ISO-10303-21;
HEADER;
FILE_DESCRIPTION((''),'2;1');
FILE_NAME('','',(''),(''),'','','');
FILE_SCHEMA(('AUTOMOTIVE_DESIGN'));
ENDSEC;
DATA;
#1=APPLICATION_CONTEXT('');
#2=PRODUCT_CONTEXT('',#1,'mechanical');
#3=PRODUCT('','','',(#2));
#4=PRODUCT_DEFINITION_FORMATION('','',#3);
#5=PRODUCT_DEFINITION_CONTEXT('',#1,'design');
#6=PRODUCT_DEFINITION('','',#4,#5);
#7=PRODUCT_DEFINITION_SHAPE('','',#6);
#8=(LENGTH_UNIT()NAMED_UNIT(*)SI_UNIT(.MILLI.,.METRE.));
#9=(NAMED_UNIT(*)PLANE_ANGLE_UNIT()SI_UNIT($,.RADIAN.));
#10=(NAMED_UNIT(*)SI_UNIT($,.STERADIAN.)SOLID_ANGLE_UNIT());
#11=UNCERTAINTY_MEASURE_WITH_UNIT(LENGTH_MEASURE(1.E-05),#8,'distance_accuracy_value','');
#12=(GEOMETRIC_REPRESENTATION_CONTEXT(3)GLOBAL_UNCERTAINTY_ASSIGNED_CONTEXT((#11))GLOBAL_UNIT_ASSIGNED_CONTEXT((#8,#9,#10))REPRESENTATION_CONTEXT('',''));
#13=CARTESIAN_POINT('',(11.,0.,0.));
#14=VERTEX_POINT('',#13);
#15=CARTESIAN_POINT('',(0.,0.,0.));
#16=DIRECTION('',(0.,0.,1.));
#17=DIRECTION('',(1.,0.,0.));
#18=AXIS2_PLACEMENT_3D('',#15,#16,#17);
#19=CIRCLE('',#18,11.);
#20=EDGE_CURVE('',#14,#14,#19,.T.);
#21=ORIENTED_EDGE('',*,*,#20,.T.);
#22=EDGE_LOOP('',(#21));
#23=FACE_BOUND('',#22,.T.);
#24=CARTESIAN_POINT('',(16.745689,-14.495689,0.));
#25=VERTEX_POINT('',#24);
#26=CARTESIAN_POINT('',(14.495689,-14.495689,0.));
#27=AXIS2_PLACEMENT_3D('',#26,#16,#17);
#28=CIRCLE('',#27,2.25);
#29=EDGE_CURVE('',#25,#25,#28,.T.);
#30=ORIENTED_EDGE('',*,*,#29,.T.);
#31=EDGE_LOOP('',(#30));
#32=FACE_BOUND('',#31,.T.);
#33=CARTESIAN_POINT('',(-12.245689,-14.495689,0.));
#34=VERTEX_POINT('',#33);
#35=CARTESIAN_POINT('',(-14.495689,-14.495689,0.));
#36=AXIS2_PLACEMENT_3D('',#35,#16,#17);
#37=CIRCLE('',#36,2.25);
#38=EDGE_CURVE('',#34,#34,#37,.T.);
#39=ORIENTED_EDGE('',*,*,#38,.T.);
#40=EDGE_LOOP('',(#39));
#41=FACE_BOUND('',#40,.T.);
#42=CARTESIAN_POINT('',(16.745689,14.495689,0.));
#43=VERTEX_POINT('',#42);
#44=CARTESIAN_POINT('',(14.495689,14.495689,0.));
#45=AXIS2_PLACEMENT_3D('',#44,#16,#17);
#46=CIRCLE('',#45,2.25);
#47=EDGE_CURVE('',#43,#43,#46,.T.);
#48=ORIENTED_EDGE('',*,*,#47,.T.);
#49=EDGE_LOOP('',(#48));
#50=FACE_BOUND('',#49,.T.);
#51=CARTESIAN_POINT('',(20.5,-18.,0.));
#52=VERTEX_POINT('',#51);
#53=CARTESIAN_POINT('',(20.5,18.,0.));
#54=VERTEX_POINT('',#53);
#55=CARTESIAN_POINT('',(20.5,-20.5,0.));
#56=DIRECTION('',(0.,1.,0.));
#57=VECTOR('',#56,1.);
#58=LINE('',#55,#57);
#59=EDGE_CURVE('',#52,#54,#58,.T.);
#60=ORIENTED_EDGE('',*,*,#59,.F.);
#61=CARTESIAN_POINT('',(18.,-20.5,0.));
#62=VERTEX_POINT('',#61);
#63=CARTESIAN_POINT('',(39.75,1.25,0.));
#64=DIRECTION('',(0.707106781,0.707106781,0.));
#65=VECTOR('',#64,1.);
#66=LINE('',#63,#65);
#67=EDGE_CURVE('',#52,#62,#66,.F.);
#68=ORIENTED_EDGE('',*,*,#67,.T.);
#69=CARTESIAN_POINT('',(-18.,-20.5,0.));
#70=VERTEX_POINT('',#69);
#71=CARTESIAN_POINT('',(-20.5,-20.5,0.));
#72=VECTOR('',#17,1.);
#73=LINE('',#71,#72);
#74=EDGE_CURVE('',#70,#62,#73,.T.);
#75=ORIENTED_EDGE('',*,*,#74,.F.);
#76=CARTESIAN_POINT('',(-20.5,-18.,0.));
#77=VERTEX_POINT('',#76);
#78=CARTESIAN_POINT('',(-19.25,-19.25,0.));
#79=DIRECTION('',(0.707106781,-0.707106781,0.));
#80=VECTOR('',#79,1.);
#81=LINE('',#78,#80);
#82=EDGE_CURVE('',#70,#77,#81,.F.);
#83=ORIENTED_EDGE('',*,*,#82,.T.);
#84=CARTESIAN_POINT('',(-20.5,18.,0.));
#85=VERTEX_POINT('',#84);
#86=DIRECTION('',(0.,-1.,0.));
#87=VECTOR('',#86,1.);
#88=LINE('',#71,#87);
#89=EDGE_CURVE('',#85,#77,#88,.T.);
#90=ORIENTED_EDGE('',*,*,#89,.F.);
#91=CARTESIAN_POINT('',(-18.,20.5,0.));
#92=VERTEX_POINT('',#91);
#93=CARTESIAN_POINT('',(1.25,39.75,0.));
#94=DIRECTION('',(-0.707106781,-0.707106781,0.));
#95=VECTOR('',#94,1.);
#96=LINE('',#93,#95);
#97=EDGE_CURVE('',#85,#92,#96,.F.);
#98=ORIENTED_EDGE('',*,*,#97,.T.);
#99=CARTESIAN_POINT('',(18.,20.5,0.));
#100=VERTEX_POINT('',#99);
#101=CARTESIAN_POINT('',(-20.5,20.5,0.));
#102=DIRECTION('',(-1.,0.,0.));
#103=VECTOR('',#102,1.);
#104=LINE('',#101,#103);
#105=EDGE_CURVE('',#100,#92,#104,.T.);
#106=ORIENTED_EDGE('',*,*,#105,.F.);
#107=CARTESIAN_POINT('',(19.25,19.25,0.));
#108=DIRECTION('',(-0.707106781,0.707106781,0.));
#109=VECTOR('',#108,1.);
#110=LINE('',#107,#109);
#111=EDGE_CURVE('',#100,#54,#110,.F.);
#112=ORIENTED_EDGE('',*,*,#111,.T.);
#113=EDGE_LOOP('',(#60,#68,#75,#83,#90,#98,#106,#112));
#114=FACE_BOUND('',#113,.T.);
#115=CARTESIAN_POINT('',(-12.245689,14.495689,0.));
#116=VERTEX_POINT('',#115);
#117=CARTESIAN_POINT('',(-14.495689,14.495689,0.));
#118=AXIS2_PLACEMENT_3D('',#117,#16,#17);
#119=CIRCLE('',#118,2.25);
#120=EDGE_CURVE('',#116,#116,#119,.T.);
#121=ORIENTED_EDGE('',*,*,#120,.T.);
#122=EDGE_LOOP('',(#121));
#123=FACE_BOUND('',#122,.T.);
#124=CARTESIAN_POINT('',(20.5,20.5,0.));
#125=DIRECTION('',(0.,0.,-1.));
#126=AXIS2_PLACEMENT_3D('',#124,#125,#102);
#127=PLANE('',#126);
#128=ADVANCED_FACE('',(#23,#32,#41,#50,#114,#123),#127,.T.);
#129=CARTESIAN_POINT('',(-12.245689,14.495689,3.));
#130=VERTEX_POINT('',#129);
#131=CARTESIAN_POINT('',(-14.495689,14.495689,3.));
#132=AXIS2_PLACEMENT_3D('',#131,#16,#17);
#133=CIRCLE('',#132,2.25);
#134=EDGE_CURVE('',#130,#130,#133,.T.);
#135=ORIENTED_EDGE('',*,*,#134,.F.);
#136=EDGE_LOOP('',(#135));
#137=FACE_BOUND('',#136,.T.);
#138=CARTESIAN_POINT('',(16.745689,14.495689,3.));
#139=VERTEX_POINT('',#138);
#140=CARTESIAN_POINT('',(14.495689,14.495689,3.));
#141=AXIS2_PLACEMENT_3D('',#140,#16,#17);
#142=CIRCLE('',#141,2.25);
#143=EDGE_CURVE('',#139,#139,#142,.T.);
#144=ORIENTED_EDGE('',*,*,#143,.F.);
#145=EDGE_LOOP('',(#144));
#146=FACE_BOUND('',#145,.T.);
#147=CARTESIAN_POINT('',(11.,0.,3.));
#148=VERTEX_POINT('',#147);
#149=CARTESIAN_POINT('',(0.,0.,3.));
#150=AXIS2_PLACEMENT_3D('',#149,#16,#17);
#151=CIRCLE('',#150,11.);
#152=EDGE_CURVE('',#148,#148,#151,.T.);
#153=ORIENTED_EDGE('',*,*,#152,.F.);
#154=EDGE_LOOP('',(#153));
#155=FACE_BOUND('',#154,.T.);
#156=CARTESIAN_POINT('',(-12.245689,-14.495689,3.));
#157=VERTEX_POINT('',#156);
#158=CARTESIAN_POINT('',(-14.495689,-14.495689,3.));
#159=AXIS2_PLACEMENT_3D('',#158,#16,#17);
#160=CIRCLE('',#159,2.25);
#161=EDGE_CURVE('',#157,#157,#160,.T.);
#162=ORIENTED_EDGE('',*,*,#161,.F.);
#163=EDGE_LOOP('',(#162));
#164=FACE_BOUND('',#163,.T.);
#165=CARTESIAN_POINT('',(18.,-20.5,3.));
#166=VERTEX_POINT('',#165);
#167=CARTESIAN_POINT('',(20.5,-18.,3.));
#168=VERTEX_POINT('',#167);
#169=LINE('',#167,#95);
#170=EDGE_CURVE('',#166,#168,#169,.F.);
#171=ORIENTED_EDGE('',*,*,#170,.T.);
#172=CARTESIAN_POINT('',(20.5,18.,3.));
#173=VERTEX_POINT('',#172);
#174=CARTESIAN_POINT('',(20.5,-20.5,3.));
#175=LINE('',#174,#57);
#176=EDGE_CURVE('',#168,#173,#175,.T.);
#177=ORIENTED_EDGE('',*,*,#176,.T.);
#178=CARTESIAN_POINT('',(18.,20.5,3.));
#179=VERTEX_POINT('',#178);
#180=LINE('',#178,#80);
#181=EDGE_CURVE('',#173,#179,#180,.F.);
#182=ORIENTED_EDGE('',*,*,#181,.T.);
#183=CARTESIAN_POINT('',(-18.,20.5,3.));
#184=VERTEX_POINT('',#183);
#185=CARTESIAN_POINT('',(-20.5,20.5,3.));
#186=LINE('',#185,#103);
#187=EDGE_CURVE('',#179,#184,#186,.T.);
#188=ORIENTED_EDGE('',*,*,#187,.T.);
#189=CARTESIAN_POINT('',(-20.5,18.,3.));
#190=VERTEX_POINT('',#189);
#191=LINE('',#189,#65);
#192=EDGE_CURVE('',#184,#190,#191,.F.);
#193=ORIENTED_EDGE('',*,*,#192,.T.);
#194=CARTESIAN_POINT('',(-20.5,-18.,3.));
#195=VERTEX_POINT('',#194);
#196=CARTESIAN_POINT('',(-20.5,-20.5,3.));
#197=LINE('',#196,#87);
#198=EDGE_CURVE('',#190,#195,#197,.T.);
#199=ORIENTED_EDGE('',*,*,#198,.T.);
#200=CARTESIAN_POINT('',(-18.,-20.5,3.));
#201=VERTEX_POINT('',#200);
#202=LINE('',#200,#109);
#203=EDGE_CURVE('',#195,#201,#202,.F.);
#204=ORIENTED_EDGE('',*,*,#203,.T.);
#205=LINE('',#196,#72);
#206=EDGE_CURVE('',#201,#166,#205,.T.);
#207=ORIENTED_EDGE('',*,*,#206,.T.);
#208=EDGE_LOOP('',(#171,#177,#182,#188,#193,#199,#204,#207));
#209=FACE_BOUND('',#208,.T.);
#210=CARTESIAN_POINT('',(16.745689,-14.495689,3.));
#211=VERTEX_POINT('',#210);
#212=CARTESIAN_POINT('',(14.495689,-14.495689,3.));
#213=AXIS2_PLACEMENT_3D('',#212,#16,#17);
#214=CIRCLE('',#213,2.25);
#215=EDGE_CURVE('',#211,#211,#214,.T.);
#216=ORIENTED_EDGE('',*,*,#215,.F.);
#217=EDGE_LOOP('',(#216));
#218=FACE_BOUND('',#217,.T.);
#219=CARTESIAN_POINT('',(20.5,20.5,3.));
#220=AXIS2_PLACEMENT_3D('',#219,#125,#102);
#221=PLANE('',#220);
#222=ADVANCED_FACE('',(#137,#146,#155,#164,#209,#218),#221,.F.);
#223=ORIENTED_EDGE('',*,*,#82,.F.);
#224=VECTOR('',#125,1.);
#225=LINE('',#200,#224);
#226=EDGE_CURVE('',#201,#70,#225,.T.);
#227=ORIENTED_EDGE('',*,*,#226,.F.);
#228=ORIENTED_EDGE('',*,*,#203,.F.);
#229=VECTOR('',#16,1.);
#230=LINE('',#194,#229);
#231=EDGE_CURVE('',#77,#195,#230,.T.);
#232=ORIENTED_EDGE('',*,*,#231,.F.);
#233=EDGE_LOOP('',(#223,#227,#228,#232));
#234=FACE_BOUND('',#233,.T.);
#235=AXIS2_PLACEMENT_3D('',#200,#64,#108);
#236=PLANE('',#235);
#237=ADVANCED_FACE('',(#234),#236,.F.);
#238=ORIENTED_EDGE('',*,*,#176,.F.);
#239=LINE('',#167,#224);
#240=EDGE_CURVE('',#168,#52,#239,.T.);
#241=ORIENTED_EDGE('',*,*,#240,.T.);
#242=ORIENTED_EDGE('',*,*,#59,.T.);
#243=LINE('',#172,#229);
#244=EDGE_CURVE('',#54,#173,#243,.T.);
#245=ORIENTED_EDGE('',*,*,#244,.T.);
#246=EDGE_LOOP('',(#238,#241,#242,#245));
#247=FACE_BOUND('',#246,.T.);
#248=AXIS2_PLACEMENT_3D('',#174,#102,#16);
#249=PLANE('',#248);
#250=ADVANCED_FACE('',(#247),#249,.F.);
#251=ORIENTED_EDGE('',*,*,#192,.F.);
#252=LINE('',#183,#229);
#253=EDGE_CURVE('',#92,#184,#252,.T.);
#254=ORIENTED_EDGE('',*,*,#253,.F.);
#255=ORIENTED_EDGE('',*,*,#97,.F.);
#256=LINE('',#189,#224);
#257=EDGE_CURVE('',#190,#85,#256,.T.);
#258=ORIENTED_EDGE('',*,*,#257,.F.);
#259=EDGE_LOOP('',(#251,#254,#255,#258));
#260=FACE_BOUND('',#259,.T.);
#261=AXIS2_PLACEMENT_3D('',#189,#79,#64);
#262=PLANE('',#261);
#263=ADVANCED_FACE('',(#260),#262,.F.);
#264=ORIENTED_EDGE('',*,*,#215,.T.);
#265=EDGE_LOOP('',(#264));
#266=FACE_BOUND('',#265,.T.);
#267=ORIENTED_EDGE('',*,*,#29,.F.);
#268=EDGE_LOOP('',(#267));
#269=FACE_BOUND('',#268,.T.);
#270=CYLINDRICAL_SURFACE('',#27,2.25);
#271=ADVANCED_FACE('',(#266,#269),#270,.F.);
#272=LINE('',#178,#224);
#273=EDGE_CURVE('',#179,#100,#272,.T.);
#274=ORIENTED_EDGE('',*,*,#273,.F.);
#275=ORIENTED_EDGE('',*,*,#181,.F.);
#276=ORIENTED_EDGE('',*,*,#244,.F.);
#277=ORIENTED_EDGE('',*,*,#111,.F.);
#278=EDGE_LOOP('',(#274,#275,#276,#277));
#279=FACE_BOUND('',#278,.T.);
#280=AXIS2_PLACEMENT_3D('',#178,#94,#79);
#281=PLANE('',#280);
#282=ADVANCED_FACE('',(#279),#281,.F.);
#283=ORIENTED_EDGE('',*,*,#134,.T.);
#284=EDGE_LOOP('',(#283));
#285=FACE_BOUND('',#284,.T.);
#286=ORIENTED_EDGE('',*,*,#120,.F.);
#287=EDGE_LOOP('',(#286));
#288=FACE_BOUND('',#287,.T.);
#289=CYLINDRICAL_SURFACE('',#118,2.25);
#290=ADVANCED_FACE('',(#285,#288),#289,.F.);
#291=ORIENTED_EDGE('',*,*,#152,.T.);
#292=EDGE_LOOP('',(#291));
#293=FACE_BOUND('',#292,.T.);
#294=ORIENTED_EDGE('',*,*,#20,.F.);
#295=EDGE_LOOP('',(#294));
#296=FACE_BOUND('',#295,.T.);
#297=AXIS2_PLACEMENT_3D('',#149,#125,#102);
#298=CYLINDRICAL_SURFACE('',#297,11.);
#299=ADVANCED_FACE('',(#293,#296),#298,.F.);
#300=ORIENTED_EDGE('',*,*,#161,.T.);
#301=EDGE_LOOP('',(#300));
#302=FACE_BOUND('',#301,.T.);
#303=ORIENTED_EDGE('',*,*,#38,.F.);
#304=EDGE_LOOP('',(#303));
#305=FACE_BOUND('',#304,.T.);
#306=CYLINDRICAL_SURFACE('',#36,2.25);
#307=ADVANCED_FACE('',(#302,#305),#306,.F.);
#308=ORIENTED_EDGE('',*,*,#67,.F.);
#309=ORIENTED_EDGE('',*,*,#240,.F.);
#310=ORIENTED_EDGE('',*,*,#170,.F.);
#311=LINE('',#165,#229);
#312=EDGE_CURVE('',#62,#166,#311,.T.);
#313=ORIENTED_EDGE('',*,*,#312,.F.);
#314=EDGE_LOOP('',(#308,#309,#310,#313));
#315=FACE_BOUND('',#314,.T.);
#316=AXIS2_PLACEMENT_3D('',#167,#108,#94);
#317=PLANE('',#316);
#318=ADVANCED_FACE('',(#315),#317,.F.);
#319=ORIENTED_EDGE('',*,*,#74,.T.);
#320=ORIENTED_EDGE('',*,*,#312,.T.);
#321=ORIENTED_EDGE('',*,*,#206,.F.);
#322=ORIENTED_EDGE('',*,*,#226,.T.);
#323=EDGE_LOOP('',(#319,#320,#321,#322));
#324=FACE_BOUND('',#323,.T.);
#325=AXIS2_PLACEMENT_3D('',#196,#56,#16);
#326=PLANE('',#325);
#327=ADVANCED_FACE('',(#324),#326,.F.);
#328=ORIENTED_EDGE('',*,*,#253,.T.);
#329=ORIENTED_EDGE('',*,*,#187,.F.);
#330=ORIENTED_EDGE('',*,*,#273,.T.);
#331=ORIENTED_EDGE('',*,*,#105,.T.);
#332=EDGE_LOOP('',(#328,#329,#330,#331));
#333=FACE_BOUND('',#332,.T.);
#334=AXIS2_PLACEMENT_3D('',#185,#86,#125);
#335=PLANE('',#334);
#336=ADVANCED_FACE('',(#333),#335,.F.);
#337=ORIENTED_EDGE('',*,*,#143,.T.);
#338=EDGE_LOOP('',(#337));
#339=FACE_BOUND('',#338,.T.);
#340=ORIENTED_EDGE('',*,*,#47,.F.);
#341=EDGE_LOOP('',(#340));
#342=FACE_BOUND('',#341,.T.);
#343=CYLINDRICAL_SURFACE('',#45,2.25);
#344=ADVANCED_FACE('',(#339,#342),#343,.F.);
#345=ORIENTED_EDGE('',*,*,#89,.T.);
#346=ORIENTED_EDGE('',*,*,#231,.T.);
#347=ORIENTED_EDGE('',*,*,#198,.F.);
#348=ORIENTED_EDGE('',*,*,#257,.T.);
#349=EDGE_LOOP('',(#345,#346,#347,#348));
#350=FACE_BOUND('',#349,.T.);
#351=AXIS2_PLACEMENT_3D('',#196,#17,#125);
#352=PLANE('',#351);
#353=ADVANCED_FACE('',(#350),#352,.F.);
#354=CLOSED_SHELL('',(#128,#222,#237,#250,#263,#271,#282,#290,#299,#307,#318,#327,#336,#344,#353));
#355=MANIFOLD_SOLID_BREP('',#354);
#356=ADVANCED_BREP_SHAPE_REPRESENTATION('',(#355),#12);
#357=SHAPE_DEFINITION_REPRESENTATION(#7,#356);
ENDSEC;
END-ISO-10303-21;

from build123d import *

# Parameters (mm, degrees)
SKETCH_1_W          = 41
SKETCH_1_H          = 41
SKETCH_1_R          = 11
EXTRUDE_1_DEPTH     = 3
SKETCH_4_R          = 2.25
CUT_EXTRUDE_2_DEPTH = 4
CHAMFER_1_SIZE      = 2.5


with BuildPart() as part:
    # Эскиз1 → Вытянуть1 (new body)
    with BuildSketch(Plane.XY):
        Rectangle(SKETCH_1_W, SKETCH_1_H)
        Circle(SKETCH_1_R, mode=Mode.SUBTRACT)
    extrude(amount=EXTRUDE_1_DEPTH)

    # Эскиз4 → Вытянуть2 (cut, through all)
    with BuildSketch(Plane.XY.offset(3)):
        with Locations((-14.495689014, 14.495689014)):
            Circle(SKETCH_4_R)
        with Locations((14.495689014, 14.495689014)):
            Circle(SKETCH_4_R)
        with Locations((14.495689014, -14.495689014)):
            Circle(SKETCH_4_R)
        with Locations((-14.495689014, -14.495689014)):
            Circle(SKETCH_4_R)
    extrude(amount=-CUT_EXTRUDE_2_DEPTH, mode=Mode.SUBTRACT)

    # Фаска1
    chamfer_1_edges = [part.edges().sort_by_distance(p)[0] for p in [
        (20.5, -20.5, 1.5),
        (-20.5, -20.5, 1.5),
        (-20.5, 20.5, 1.5),
        (20.5, 20.5, 1.5),
    ]]
    chamfer(chamfer_1_edges, length=CHAMFER_1_SIZE)


solid = part.part
